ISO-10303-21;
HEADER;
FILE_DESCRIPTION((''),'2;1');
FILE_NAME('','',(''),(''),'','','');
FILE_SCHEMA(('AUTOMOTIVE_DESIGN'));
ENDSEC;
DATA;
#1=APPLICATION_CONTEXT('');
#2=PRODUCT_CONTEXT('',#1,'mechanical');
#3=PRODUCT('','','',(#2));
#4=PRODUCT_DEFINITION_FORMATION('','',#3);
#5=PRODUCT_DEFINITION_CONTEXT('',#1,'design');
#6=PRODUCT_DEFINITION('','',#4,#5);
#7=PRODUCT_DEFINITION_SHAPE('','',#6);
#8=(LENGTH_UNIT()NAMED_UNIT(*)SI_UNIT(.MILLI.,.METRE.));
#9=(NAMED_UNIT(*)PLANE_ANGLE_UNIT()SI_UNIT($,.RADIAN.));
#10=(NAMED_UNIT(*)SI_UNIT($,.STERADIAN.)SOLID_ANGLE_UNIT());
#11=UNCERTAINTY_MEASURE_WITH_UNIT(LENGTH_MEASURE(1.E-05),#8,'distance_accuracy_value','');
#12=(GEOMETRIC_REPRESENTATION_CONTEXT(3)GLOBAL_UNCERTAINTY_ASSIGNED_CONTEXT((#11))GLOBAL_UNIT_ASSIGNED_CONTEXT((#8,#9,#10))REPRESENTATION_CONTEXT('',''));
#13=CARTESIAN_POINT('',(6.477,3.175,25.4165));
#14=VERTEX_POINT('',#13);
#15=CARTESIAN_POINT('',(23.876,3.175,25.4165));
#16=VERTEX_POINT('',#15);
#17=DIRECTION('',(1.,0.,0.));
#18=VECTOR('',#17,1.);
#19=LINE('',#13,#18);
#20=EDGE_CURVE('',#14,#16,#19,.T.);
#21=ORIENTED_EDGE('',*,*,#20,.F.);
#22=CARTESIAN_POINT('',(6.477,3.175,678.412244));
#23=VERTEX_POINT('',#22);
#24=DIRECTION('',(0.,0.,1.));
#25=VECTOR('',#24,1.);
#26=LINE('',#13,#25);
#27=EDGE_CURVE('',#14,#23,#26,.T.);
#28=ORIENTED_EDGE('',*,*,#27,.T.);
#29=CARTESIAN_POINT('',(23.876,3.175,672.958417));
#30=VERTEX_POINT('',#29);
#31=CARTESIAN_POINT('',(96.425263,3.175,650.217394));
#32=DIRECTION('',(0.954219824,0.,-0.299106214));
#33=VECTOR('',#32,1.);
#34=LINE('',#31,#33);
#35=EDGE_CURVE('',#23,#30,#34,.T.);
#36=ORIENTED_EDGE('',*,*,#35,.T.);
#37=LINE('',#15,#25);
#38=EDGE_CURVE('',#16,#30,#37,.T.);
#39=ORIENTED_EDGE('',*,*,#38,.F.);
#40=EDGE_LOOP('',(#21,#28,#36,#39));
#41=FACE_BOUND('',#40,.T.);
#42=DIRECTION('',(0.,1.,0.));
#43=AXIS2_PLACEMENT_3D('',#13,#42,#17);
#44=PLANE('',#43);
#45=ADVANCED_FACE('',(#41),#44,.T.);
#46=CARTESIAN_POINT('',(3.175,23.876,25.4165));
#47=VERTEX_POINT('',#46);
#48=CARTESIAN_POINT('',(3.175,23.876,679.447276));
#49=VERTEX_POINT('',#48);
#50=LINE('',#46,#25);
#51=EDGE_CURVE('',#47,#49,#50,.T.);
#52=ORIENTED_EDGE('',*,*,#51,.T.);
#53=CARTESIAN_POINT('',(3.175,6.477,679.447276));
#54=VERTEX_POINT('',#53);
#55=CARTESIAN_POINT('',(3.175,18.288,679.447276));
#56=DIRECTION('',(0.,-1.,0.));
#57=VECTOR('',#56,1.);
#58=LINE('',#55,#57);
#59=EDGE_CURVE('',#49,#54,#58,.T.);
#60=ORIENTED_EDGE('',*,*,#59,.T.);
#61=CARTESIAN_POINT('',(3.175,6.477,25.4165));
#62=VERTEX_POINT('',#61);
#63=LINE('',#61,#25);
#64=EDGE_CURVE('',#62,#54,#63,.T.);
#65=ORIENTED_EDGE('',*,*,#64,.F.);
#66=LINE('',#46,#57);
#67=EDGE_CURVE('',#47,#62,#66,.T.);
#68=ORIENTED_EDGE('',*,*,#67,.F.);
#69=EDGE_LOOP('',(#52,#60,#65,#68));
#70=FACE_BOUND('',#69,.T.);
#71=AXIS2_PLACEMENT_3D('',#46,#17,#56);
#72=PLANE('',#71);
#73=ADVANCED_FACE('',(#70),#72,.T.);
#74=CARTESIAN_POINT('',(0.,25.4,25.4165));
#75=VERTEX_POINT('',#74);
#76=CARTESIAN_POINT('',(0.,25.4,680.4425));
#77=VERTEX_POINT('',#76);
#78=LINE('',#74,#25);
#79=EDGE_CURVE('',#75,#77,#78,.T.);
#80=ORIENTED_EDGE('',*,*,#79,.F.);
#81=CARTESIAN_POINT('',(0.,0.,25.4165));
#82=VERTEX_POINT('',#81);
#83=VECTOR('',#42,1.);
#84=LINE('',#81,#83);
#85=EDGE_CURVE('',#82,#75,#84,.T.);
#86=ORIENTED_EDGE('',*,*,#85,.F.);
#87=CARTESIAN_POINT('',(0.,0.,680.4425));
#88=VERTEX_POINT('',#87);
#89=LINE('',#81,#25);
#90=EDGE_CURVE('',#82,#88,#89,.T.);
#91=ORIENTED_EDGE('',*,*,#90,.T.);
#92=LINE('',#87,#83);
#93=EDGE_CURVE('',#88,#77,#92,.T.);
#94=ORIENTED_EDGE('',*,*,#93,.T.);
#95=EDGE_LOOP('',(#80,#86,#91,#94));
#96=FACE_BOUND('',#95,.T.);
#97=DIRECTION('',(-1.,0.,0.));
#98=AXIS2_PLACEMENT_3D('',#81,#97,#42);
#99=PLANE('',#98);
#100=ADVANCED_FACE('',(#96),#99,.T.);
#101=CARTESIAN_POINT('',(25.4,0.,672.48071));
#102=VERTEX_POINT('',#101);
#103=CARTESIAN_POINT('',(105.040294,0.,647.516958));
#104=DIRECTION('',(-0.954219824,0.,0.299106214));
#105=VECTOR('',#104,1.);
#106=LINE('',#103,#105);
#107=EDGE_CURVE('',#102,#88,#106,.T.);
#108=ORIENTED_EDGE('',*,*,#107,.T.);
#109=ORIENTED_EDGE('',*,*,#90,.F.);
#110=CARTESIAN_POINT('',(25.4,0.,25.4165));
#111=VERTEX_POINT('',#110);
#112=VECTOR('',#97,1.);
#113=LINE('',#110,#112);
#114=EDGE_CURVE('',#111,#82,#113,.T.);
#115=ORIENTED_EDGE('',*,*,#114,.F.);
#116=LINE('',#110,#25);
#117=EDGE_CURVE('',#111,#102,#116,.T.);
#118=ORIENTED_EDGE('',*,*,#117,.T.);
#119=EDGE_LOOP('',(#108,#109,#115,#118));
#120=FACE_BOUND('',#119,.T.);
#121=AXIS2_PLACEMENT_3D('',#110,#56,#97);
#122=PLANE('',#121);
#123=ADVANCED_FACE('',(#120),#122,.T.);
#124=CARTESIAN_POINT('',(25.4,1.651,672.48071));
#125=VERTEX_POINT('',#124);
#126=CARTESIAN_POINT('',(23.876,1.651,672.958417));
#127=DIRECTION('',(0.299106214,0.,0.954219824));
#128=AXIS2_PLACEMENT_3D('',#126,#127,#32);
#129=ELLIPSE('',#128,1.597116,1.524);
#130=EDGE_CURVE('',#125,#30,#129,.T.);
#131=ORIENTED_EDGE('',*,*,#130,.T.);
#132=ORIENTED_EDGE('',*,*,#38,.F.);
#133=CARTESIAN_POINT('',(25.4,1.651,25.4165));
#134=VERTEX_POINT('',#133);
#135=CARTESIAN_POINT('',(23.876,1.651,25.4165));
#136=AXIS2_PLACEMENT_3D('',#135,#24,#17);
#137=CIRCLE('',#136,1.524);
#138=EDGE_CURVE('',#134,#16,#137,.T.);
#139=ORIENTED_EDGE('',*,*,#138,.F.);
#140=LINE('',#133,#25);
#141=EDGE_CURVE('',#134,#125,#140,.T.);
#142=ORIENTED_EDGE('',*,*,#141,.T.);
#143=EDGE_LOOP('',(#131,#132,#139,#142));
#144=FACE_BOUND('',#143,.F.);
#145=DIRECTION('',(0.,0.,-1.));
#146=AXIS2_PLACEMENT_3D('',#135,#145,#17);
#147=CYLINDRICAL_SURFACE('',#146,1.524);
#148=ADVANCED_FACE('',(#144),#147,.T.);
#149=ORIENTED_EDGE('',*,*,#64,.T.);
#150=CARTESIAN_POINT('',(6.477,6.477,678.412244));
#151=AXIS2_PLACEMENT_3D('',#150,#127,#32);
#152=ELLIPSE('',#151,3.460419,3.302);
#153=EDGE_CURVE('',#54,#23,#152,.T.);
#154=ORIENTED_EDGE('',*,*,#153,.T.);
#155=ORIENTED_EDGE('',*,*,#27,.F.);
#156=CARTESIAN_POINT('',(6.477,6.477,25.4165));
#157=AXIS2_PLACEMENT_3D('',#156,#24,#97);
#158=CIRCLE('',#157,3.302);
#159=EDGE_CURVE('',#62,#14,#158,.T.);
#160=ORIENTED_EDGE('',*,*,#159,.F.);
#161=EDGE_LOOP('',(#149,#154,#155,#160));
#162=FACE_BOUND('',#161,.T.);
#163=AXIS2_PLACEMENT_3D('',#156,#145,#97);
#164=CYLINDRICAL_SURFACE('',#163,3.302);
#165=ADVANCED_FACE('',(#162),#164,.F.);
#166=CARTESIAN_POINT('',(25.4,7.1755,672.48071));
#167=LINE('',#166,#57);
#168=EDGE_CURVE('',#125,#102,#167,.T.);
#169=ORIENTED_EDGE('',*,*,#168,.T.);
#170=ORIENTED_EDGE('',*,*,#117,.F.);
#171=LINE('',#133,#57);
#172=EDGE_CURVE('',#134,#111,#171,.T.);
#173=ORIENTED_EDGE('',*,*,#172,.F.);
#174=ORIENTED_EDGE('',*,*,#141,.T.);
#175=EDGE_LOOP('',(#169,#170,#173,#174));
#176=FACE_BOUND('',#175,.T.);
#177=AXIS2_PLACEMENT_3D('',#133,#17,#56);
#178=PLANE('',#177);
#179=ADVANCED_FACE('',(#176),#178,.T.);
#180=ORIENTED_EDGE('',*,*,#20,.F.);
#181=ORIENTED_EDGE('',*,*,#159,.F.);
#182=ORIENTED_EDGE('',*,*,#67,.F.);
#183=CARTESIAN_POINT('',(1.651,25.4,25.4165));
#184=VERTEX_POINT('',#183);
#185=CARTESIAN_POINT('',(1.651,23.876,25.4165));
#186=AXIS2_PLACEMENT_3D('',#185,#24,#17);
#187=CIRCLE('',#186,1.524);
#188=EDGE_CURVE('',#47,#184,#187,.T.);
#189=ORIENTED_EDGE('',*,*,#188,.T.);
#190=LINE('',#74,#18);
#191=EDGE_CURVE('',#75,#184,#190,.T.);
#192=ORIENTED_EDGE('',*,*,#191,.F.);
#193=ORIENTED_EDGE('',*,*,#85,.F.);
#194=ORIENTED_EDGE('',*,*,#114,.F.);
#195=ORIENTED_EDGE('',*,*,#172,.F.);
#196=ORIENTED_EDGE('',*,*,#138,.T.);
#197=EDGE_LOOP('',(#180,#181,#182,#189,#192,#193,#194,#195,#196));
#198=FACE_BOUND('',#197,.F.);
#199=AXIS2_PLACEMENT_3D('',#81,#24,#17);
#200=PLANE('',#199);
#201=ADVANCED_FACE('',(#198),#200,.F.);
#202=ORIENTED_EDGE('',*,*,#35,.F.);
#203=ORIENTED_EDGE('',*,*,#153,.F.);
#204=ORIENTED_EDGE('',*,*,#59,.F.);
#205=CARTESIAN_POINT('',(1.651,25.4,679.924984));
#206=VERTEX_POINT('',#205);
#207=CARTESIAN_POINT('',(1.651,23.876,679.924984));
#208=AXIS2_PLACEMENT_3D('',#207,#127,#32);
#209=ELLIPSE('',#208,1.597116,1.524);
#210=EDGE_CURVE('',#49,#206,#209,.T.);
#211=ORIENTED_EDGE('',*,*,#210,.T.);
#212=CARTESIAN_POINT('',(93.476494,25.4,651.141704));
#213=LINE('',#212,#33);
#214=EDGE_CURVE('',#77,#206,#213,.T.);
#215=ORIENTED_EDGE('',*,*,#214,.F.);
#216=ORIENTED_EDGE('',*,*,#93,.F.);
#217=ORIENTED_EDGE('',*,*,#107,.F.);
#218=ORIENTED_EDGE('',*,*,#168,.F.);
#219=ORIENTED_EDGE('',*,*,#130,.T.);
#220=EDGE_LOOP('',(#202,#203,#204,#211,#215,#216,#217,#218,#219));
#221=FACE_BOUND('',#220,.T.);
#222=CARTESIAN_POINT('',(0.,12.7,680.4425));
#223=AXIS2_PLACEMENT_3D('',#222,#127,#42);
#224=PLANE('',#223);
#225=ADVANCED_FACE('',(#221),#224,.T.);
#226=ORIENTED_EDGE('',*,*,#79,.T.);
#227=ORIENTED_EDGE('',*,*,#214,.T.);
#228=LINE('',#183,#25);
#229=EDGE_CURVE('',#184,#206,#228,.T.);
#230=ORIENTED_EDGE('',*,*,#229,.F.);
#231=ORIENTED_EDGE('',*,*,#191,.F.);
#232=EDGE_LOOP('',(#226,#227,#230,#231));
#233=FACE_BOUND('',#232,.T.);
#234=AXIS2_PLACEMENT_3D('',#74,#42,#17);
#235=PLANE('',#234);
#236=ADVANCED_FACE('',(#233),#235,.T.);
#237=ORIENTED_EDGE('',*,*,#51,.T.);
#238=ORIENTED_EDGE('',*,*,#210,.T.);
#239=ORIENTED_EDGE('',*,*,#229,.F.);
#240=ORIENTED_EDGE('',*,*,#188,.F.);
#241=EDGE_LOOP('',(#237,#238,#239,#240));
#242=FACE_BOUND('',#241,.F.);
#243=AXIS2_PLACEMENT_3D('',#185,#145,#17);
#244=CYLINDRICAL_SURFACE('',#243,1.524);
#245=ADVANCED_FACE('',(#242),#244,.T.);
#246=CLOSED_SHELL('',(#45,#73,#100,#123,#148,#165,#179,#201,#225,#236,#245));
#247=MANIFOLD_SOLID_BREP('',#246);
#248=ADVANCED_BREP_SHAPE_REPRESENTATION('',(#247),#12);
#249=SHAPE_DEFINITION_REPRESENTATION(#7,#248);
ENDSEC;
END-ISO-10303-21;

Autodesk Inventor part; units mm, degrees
ref_plane "Start Plane" through (0, 0, 25.4165) normal (0, 0, 1) x (1, 0, 0)
ref_plane "End Plane" through (0, 0, 680.4425) normal (0, 0, 1) x (1, 0, 0)
sketch "Sketch" plane through (0, 0, 0) normal (0, 0, 1) x (1, 0, 0)
  line L0 (25.4, 0) -> (0, 0)
  line L1 (0, 0) -> (0, 25.4)
  line L2 (0, 25.4) -> (1.651, 25.4)
  line L3 (3.175, 23.876) -> (3.175, 6.477)
  line L4 (6.477, 3.175) -> (23.876, 3.175)
  line L5 (25.4, 1.651) -> (25.4, 0)
  line L6 (0, -11.0414) -> (0, 31.5385) construction
  line L7 (-11.0414, 0) -> (31.5385, 0) construction
  arc A0 (3.175, 6.477) -> (6.477, 3.175) centre (6.477, 6.477) ccw
  arc A1 (3.175, 23.876) -> (1.651, 25.4) centre (1.651, 23.876) ccw
  arc A2 (25.4, 1.651) -> (23.876, 3.175) centre (23.876, 1.651) ccw
  line L8 (0, 40.0545) -> (0, -19.5574) construction
  line L9 (-19.5574, 0) -> (40.0545, 0) construction
  point P0 (3.175, 25.4)
  point P1 (3.175, 3.175)
  point P2 (25.4, 3.175)
  dimension "d0" = 25.4
  dimension "d1" = 25.4
  dimension "d2" = 3.175
  dimension "d3" = 3.175
  dimension "d10" = 0
  dimension "d11" = 0
  dimension "d14" = 3.302
  dimension "d15" = 1.524
extrude "Body" add sketch "Sketch" along normal up to surface (655.026 mm away) from surface at 25.4165
sketch "Sketch3" plane through (0, 0, 0) normal (0, 0, 1) x (1, 0, 0)
  line L0 (0, 0) -> (10, 0)
ref_plane "Work Plane3" through (0, 0, 0) normal (0, -1, 0) x (1, 0, 0)
ref_plane "Work Plane4" through (0, 12.7, 680.4425) normal (0.2991, 0, 0.9542) x (0.9542, 0, -0.2991)
split "Split1" plane through (0, 12.7, 680.4425) removes the side toward (0.2991, 0, 0.9542)
ref_plane "Work Plane5" through (977.5791, 25.4, 59.0379) normal (0, 1, 0) x (1, 0, 0)
split "Split2" plane through (977.5791, 25.4, 59.0379) removes the side toward (0, 1, 0)
sketch "Sketch4" plane through (0, 0, 0) normal (0, -1, 0) x (1, 0, 0)
  line L0 (-2, 25.4165) -> (12, 25.4165) projected
  line L1 (-2, 680.4425) -> (12, 680.4425) projected
  dimension "d17" = 655.026
equation "\"d0\" = G_H"
equation "\"d1\" = G_H"
equation "\"d2\" = G_T"
equation "\"d3\" = G_T"
equation "\"d14\" = G_IR"
equation "\"d15\" = G_ER"
equation "\"d4\" = G_L"
equation "\"G_H\" = 25.4"
equation "\"G_T\" = 3.175"
equation "\"G_ER\" = 1.524"
equation "\"G_IR\" = 3.302"
equation "\"G_L\" = d17"
equation "\"ex\" = 0"
equation "\"G_OFFSET_START\" = -25.41653"
equation "\"G_OFFSET_END\" = 0"
equation "\"d12\" = -G_OFFSET_START"
equation "\"d13\" = G_OFFSET_END + B_L"
equation "\"B_L\" = 680.44252"
properties part number "AISC - L 1 x 1 x 1/8 - 25.788" material "Steel, Mild"
